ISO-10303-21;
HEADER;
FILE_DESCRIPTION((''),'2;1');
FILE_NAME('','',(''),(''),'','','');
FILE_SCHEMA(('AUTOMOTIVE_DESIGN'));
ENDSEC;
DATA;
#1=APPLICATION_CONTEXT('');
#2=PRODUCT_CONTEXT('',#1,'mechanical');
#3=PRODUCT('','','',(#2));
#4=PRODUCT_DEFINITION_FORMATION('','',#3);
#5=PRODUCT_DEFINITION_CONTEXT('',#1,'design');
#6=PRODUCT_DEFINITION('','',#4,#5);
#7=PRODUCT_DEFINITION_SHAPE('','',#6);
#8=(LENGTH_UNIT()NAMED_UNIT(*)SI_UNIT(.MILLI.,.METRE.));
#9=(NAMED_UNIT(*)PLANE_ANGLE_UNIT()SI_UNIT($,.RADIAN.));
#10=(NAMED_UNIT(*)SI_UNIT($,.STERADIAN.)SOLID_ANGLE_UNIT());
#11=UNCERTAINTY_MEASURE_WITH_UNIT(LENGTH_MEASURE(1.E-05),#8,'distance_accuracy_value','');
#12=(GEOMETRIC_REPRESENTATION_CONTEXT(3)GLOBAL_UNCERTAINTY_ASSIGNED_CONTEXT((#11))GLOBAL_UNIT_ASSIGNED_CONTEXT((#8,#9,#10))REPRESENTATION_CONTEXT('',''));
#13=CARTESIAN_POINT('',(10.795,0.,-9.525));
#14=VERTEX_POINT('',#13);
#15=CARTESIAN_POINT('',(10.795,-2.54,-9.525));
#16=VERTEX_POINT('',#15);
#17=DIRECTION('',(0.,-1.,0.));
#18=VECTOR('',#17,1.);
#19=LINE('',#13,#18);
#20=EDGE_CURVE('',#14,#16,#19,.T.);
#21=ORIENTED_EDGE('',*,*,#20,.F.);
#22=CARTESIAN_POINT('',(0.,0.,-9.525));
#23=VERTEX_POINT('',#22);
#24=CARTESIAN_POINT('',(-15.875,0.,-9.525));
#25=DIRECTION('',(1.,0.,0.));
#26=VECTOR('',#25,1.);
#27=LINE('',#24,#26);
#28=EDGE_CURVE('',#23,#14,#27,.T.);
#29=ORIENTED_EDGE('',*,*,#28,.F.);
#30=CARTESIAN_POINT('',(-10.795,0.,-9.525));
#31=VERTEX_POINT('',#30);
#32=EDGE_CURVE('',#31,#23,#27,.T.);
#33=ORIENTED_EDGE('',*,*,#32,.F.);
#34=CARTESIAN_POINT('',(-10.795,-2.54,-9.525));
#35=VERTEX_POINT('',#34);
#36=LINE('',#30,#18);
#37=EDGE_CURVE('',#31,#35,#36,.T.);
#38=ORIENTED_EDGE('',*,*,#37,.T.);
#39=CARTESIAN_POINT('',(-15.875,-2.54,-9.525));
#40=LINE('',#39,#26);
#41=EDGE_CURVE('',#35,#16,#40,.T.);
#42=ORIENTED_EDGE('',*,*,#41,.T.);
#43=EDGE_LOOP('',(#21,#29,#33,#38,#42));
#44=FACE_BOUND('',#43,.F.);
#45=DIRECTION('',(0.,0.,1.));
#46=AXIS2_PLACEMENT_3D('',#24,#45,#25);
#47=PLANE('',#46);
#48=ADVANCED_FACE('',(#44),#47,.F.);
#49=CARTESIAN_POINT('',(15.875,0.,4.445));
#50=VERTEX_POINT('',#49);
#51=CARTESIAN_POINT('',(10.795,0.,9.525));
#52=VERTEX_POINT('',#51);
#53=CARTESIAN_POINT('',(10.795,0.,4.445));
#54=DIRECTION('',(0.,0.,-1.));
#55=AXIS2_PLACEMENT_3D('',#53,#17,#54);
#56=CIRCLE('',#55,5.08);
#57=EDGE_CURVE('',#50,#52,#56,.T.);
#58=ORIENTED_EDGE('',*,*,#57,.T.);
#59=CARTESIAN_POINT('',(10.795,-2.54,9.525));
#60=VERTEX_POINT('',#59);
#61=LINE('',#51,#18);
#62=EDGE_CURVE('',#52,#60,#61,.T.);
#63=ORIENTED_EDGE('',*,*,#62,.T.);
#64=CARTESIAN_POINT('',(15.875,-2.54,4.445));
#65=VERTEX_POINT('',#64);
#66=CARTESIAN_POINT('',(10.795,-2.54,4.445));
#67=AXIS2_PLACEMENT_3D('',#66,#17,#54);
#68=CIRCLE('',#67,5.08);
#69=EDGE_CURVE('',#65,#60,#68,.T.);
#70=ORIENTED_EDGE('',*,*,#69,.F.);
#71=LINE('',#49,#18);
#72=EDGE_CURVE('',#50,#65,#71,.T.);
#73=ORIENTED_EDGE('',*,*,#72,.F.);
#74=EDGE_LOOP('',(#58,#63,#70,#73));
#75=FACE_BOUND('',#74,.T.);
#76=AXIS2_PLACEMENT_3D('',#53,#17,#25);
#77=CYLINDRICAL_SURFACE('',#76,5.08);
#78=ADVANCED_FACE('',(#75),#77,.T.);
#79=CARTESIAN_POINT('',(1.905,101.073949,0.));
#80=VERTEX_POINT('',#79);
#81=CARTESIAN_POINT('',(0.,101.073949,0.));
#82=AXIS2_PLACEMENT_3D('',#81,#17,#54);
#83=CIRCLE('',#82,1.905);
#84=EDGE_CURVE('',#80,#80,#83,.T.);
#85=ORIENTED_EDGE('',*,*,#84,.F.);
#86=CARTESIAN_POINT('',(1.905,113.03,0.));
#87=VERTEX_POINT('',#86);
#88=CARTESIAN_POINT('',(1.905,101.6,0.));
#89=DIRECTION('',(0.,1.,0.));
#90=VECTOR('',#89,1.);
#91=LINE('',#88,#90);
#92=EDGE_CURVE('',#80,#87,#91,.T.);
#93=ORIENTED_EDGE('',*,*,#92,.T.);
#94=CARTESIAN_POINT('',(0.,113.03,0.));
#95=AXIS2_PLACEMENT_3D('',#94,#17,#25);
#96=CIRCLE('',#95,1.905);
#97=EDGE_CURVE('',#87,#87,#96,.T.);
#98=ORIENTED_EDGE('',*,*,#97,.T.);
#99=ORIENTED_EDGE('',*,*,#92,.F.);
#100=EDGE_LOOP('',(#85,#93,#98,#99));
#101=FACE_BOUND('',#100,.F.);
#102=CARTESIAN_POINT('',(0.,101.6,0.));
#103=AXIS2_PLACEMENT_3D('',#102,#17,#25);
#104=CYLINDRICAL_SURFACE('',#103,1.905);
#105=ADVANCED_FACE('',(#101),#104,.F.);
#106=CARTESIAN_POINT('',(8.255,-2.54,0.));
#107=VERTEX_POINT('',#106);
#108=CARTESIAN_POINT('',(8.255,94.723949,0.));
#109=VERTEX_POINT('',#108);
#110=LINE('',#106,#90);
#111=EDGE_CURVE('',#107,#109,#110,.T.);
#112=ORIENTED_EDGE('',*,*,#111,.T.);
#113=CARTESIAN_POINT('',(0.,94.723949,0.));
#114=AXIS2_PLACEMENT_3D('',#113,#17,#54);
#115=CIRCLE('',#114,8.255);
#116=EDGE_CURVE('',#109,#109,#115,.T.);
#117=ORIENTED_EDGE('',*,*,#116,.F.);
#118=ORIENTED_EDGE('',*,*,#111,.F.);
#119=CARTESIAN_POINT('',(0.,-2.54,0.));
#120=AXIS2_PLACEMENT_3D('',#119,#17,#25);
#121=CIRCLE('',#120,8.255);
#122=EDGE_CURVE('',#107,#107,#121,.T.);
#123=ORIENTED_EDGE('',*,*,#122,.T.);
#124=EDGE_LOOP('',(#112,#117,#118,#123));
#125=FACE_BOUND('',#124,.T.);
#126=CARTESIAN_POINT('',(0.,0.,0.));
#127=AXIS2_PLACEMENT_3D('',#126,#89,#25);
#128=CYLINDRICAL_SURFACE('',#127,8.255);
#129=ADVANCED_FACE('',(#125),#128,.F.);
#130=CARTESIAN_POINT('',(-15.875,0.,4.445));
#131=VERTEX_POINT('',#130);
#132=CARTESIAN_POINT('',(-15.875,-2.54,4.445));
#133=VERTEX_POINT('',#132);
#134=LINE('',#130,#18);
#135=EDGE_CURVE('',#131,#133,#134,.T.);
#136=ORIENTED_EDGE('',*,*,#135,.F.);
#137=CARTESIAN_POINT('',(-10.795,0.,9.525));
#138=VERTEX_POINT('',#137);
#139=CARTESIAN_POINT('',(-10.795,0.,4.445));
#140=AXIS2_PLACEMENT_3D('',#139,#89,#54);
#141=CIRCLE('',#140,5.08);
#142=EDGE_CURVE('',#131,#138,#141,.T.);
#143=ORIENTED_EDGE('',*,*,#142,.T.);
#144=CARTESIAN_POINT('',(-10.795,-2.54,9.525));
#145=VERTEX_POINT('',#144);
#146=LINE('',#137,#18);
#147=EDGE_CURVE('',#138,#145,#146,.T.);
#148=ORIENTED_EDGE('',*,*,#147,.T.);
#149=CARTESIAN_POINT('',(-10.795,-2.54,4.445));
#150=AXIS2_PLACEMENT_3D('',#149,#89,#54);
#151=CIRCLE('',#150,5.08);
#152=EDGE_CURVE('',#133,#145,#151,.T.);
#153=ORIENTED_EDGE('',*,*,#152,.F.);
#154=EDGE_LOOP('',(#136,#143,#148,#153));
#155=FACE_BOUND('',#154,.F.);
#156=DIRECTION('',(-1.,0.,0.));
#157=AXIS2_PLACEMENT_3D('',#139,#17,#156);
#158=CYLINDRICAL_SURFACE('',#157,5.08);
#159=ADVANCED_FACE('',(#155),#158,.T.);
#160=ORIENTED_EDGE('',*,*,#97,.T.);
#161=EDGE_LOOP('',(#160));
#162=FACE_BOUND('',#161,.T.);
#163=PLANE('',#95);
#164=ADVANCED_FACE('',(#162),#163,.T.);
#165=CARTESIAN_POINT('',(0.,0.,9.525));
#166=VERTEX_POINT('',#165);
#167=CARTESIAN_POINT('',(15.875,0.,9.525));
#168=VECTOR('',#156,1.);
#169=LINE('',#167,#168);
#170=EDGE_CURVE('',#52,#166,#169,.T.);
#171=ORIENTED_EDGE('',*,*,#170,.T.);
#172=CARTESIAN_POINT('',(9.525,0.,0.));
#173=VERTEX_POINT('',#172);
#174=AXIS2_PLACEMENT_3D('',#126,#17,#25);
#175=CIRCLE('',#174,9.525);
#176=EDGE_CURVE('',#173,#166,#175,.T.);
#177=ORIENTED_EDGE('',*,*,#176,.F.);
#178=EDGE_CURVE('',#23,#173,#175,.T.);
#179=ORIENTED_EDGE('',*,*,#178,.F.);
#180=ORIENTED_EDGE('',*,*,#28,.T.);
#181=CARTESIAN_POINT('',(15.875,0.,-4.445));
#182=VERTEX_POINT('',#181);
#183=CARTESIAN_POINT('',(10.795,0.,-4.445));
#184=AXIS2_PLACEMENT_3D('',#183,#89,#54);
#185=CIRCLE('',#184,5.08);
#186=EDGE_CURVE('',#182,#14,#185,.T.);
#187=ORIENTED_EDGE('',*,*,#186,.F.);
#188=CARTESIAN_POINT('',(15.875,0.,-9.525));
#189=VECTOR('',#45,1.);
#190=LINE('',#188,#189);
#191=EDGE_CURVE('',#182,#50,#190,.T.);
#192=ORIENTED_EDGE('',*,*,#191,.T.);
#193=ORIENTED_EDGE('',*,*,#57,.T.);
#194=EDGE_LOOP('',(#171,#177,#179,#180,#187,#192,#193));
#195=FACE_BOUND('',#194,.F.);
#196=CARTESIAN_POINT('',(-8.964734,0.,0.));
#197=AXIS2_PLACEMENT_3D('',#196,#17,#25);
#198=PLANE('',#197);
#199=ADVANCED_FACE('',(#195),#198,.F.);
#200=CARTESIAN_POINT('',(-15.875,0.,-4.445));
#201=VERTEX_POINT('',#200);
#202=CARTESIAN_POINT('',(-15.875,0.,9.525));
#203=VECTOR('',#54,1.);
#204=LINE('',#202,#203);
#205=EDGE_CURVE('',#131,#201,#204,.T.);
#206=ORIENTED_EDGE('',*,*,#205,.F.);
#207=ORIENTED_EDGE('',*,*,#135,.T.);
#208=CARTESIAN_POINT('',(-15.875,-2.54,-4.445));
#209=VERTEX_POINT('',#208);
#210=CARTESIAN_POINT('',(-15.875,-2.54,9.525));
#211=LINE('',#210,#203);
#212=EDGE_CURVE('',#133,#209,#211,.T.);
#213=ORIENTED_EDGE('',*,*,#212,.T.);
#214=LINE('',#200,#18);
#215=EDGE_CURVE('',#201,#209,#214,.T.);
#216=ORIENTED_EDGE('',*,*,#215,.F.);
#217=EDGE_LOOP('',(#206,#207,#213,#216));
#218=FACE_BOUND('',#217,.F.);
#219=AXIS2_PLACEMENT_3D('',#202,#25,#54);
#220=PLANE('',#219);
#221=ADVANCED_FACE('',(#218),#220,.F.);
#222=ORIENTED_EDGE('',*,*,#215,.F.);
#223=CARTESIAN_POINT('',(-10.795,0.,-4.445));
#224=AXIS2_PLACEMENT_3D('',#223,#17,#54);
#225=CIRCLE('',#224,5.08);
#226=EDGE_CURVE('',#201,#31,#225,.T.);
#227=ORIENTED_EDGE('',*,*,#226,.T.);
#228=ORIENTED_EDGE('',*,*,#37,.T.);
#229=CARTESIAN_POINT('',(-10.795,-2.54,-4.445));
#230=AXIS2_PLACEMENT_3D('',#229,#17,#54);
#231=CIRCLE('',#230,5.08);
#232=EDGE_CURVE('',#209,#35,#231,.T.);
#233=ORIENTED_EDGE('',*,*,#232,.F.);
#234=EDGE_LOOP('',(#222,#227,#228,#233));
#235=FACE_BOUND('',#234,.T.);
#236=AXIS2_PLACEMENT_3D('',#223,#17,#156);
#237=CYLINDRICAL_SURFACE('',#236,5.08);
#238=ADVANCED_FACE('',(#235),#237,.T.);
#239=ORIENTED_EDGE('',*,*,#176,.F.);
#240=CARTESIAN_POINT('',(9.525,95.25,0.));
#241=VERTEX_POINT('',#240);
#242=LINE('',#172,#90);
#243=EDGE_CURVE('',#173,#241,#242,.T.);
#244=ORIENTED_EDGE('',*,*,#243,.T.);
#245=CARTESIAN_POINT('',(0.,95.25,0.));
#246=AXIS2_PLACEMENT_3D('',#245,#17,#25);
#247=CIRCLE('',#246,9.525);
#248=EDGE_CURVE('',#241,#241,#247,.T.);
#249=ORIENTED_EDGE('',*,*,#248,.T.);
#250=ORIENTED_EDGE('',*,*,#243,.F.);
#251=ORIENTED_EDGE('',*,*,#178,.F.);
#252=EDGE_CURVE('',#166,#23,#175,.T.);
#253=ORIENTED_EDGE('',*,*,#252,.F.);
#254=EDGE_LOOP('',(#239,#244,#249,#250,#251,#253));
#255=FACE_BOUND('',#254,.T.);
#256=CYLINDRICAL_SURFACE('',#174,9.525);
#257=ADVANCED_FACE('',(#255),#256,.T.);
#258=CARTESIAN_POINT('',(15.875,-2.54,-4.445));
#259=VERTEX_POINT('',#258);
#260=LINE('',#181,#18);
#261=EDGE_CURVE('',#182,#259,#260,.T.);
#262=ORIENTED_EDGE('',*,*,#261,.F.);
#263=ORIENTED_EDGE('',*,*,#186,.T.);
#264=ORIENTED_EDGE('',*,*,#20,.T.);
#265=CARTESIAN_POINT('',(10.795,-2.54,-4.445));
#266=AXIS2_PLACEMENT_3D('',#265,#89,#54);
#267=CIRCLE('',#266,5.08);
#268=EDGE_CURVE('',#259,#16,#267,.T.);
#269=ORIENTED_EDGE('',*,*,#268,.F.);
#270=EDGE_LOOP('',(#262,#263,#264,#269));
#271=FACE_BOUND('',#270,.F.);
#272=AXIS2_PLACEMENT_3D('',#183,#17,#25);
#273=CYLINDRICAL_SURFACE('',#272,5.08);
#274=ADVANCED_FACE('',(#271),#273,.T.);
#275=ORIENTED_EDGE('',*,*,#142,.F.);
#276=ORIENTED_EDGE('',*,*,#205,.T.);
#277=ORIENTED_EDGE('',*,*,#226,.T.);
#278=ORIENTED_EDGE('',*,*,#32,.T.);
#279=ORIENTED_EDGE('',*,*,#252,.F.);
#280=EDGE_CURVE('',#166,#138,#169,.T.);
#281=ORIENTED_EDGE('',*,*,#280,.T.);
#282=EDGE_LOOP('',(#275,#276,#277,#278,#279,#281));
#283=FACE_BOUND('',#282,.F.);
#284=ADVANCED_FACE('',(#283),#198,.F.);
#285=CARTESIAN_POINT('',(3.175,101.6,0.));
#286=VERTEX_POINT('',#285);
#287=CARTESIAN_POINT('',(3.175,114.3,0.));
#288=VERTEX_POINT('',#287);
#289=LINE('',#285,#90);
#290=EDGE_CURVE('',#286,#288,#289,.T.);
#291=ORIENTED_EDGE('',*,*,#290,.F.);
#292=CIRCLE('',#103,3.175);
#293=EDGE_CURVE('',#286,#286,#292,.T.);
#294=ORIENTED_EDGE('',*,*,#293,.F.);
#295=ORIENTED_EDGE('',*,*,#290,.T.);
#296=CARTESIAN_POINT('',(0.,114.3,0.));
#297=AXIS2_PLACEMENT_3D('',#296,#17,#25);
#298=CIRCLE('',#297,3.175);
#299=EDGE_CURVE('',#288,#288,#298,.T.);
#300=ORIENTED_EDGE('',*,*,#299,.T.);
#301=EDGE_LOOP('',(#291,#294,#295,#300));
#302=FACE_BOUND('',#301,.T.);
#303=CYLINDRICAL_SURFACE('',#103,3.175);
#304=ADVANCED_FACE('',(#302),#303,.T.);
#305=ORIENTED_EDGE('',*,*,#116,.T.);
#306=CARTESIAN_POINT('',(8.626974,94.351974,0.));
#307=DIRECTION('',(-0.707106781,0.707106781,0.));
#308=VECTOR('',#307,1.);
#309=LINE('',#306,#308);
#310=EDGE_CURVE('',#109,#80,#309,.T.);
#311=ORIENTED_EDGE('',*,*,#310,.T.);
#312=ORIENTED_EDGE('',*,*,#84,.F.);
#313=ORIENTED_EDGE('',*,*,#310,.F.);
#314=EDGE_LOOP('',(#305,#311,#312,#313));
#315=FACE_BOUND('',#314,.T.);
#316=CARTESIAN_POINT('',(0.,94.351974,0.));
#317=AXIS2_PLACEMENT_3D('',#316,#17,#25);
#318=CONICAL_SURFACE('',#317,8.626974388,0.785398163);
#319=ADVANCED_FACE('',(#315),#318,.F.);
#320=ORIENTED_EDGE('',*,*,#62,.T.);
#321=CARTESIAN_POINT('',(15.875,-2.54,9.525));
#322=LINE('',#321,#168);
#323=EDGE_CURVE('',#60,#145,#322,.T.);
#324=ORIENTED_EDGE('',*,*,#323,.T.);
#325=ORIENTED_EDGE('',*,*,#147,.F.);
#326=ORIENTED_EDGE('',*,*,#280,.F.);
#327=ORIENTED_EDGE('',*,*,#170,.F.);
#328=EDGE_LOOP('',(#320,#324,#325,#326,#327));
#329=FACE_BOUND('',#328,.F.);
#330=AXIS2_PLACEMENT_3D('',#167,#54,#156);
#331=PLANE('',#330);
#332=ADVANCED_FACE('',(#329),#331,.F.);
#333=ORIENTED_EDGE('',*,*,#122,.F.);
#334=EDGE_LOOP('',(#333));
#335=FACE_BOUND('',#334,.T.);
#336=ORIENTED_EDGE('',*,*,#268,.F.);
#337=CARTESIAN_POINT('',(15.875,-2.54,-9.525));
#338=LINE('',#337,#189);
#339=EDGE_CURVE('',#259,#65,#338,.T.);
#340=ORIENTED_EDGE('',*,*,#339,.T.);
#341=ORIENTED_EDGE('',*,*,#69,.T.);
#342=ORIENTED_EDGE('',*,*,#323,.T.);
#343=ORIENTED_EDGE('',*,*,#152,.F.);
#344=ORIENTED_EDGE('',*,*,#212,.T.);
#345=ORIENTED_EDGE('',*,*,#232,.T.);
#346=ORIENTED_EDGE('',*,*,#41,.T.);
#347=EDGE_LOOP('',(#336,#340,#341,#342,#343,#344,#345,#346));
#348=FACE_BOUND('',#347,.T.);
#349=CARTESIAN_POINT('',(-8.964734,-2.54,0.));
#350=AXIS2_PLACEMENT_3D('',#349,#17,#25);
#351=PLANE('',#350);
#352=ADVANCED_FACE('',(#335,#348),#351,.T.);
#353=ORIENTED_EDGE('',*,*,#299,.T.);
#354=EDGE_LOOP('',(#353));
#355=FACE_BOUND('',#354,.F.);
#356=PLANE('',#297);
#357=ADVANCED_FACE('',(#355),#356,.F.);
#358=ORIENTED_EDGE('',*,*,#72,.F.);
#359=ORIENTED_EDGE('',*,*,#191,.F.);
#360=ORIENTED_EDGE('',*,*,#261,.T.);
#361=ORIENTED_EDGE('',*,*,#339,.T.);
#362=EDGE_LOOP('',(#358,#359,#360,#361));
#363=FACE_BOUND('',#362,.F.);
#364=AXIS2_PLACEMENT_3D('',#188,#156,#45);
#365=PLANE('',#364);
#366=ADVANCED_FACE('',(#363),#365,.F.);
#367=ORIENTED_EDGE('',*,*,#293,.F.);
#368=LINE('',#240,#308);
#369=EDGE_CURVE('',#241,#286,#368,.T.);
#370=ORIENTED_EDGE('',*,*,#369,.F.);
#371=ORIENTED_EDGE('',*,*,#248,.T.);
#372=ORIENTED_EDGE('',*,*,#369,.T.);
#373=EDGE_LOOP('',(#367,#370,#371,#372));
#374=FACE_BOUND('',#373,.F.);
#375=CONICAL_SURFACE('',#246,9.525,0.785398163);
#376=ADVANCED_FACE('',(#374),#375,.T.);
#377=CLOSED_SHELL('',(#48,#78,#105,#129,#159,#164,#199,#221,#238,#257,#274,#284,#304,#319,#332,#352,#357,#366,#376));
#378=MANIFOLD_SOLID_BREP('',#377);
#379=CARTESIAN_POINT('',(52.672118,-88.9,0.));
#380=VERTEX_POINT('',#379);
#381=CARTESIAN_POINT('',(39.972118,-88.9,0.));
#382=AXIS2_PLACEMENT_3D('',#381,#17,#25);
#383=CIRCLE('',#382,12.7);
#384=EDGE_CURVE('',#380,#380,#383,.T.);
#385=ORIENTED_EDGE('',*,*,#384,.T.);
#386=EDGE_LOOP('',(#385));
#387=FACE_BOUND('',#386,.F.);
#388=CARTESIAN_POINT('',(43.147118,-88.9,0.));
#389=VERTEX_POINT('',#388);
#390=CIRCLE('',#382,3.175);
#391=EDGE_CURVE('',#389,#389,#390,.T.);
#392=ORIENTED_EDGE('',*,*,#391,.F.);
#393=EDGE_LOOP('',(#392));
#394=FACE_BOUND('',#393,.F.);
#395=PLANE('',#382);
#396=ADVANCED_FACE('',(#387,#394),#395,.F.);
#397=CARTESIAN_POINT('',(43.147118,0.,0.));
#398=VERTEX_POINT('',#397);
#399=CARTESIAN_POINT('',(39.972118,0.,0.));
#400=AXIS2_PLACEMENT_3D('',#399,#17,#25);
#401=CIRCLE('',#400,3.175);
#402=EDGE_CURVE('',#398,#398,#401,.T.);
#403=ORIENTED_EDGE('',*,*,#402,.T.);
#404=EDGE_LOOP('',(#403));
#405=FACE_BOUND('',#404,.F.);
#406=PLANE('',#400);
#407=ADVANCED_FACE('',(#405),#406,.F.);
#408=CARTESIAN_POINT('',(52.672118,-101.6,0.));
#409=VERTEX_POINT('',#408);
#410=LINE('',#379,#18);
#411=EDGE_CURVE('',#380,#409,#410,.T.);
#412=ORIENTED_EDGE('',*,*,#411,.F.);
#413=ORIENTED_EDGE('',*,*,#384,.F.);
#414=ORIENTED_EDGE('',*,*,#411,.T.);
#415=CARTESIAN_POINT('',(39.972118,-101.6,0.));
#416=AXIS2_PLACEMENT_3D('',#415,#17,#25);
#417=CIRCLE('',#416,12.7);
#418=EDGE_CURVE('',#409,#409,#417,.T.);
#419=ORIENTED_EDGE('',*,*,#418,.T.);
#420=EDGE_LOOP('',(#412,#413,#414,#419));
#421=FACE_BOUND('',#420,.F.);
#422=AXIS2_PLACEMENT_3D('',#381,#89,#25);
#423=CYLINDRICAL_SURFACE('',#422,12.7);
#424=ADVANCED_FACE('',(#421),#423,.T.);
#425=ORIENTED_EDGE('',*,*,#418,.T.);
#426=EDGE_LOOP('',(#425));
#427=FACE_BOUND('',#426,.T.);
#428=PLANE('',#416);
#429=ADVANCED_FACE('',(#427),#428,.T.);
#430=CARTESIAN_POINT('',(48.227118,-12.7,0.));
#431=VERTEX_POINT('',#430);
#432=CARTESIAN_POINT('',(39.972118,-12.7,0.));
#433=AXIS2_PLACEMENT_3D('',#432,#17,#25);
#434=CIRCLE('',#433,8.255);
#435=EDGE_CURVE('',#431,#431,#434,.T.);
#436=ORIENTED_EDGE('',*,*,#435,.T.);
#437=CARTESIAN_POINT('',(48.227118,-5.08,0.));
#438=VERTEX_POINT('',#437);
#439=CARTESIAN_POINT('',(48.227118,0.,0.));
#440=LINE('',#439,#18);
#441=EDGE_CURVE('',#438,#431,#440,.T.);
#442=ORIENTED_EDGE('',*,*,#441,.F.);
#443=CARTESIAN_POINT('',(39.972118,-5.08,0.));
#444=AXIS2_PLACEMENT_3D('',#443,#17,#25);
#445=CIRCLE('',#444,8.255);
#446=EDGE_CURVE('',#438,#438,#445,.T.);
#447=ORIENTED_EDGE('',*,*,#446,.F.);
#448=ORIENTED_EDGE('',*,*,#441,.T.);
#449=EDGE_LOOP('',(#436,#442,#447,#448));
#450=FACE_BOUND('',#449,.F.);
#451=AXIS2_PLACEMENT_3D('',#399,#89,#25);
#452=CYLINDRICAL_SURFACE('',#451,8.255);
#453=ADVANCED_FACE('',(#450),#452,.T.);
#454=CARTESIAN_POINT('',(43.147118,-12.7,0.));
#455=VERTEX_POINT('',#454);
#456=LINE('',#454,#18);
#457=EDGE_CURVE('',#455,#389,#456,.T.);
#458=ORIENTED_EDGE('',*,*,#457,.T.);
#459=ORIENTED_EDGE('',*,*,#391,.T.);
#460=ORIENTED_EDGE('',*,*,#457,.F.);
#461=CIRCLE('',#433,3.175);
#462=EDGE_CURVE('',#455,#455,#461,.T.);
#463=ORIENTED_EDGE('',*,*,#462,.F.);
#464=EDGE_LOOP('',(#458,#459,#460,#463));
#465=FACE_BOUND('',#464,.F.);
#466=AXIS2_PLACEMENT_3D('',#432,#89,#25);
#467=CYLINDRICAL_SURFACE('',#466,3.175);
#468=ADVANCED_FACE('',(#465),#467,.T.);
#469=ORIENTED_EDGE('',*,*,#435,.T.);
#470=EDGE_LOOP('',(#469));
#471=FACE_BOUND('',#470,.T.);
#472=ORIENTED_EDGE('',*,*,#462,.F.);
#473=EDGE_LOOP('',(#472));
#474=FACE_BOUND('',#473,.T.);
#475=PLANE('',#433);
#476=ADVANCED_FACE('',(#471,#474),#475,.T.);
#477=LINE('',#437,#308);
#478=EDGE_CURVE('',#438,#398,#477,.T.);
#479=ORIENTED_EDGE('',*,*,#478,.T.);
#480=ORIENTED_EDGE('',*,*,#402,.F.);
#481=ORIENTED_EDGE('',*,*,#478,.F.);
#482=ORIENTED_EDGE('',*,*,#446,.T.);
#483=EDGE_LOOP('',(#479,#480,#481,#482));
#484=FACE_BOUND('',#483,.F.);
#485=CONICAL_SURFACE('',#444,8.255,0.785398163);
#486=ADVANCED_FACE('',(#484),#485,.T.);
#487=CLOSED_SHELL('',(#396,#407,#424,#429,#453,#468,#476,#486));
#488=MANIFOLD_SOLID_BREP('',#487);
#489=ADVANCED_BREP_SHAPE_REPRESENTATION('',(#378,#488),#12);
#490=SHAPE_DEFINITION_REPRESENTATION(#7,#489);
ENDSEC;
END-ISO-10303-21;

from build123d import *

# Parameters (mm, degrees)
F0_R      = 9.525
F1_DEPTH  = 101.6
F2_SIZE   = 6.35
F3_DEPTH  = 12.7
F4_T      = -1.27
F5_R      = 8.255
F6_DEPTH  = 2.54
F7_R      = 5.08
F8_R      = 8.255
F9_DEPTH  = 12.7
F10_R     = 3.175
F11_DEPTH = 76.2
F12_R     = 12.7
F12_R_2   = 3.175
F13_DEPTH = 12.7
F14_SIZE  = 5.08


with BuildPart() as f1:
    # F0 (on Front) → F1 (new body)
    with BuildSketch(Plane.XZ):
        Circle(F0_R)
    extrude(amount=-F1_DEPTH)

    # F2
    f2_edges = [f1.edges().sort_by_distance(p)[0] for p in [
        (-9.525, 101.6, 0),
    ]]
    chamfer(f2_edges, length=F2_SIZE)

    # F3 (add): a face of the model
    f3_faces = [f1.faces().sort_by_distance(p)[0] for p in [
        (0, 101.6, 0),
    ]]
    extrude(f3_faces, amount=F3_DEPTH)

    # F4
    f4_openings = [f1.faces().sort_by_distance(p)[0] for p in [
        (0, 0, 0),
    ]]
    offset(amount=F4_T, openings=f4_openings, kind=Kind.INTERSECTION)

    # F5 (on face) → F6 (join)
    with BuildSketch(Plane.XZ):
        with BuildLine():
            Line((0, 9.525), (-15.875, 9.525))
            Line((-15.875, 9.525), (-15.875, -9.525))
            Line((-15.875, -9.525), (0, -9.525))
            ThreePointArc((0, -9.525), (-9.525, 0), (0, 9.525))
        make_face()
        with BuildLine():
            Line((15.875, 9.525), (0, 9.525))
            ThreePointArc((0, 9.525), (6.7351920908, 6.7351920908), (9.525, 0))
            ThreePointArc((9.525, 0), (6.7351920908, -6.7351920908), (0, -9.525))
            Line((0, -9.525), (15.875, -9.525))
            Line((15.875, -9.525), (15.875, 9.525))
        make_face()
        with BuildLine():
            ThreePointArc((9.525, 0), (6.7351920908, 6.7351920908), (0, 9.525))
            ThreePointArc((0, 9.525), (-9.525, 0), (0, -9.525))
            ThreePointArc((0, -9.525), (6.7351920908, -6.7351920908), (9.525, 0))
        make_face()
        Circle(F5_R, mode=Mode.SUBTRACT)
    extrude(amount=F6_DEPTH)

    # F7
    f7_edges = [f1.edges().sort_by_distance(p)[0] for p in [
        (-15.875, -1.27, 9.525),
        (15.875, -1.27, 9.525),
        (15.875, -1.27, -9.525),
        (-15.875, -1.27, -9.525),
    ]]
    fillet(f7_edges, radius=F7_R)


with BuildPart() as f9:
    # F8 (on Front) → F9 (new body)
    with BuildSketch(Plane.XZ):
        with Locations((39.9721178575, 0)):
            Circle(F8_R)
    extrude(amount=F9_DEPTH)

    # F10 (on face) → F11 (join)
    with BuildSketch(Plane.XZ.offset(12.7)):
        with Locations((39.9721178575, 0)):
            Circle(F10_R)
    extrude(amount=F11_DEPTH)

    # F12 (on face) → F13 (join)
    with BuildSketch(Plane.XZ.offset(88.9)):
        with Locations((39.9721178575, 0)):
            Circle(F12_R)
        with Locations((39.9721178575, 0)):
            Circle(F12_R_2, mode=Mode.SUBTRACT)
        with Locations((39.9721178575, 0)):
            Circle(F12_R_2)
    extrude(amount=F13_DEPTH)

    # F14
    f14_edges = [f9.edges().sort_by_distance(p)[0] for p in [
        (31.717118, 0, 0),
    ]]
    chamfer(f14_edges, length=F14_SIZE)


solid = Compound([f1.part, f9.part])
